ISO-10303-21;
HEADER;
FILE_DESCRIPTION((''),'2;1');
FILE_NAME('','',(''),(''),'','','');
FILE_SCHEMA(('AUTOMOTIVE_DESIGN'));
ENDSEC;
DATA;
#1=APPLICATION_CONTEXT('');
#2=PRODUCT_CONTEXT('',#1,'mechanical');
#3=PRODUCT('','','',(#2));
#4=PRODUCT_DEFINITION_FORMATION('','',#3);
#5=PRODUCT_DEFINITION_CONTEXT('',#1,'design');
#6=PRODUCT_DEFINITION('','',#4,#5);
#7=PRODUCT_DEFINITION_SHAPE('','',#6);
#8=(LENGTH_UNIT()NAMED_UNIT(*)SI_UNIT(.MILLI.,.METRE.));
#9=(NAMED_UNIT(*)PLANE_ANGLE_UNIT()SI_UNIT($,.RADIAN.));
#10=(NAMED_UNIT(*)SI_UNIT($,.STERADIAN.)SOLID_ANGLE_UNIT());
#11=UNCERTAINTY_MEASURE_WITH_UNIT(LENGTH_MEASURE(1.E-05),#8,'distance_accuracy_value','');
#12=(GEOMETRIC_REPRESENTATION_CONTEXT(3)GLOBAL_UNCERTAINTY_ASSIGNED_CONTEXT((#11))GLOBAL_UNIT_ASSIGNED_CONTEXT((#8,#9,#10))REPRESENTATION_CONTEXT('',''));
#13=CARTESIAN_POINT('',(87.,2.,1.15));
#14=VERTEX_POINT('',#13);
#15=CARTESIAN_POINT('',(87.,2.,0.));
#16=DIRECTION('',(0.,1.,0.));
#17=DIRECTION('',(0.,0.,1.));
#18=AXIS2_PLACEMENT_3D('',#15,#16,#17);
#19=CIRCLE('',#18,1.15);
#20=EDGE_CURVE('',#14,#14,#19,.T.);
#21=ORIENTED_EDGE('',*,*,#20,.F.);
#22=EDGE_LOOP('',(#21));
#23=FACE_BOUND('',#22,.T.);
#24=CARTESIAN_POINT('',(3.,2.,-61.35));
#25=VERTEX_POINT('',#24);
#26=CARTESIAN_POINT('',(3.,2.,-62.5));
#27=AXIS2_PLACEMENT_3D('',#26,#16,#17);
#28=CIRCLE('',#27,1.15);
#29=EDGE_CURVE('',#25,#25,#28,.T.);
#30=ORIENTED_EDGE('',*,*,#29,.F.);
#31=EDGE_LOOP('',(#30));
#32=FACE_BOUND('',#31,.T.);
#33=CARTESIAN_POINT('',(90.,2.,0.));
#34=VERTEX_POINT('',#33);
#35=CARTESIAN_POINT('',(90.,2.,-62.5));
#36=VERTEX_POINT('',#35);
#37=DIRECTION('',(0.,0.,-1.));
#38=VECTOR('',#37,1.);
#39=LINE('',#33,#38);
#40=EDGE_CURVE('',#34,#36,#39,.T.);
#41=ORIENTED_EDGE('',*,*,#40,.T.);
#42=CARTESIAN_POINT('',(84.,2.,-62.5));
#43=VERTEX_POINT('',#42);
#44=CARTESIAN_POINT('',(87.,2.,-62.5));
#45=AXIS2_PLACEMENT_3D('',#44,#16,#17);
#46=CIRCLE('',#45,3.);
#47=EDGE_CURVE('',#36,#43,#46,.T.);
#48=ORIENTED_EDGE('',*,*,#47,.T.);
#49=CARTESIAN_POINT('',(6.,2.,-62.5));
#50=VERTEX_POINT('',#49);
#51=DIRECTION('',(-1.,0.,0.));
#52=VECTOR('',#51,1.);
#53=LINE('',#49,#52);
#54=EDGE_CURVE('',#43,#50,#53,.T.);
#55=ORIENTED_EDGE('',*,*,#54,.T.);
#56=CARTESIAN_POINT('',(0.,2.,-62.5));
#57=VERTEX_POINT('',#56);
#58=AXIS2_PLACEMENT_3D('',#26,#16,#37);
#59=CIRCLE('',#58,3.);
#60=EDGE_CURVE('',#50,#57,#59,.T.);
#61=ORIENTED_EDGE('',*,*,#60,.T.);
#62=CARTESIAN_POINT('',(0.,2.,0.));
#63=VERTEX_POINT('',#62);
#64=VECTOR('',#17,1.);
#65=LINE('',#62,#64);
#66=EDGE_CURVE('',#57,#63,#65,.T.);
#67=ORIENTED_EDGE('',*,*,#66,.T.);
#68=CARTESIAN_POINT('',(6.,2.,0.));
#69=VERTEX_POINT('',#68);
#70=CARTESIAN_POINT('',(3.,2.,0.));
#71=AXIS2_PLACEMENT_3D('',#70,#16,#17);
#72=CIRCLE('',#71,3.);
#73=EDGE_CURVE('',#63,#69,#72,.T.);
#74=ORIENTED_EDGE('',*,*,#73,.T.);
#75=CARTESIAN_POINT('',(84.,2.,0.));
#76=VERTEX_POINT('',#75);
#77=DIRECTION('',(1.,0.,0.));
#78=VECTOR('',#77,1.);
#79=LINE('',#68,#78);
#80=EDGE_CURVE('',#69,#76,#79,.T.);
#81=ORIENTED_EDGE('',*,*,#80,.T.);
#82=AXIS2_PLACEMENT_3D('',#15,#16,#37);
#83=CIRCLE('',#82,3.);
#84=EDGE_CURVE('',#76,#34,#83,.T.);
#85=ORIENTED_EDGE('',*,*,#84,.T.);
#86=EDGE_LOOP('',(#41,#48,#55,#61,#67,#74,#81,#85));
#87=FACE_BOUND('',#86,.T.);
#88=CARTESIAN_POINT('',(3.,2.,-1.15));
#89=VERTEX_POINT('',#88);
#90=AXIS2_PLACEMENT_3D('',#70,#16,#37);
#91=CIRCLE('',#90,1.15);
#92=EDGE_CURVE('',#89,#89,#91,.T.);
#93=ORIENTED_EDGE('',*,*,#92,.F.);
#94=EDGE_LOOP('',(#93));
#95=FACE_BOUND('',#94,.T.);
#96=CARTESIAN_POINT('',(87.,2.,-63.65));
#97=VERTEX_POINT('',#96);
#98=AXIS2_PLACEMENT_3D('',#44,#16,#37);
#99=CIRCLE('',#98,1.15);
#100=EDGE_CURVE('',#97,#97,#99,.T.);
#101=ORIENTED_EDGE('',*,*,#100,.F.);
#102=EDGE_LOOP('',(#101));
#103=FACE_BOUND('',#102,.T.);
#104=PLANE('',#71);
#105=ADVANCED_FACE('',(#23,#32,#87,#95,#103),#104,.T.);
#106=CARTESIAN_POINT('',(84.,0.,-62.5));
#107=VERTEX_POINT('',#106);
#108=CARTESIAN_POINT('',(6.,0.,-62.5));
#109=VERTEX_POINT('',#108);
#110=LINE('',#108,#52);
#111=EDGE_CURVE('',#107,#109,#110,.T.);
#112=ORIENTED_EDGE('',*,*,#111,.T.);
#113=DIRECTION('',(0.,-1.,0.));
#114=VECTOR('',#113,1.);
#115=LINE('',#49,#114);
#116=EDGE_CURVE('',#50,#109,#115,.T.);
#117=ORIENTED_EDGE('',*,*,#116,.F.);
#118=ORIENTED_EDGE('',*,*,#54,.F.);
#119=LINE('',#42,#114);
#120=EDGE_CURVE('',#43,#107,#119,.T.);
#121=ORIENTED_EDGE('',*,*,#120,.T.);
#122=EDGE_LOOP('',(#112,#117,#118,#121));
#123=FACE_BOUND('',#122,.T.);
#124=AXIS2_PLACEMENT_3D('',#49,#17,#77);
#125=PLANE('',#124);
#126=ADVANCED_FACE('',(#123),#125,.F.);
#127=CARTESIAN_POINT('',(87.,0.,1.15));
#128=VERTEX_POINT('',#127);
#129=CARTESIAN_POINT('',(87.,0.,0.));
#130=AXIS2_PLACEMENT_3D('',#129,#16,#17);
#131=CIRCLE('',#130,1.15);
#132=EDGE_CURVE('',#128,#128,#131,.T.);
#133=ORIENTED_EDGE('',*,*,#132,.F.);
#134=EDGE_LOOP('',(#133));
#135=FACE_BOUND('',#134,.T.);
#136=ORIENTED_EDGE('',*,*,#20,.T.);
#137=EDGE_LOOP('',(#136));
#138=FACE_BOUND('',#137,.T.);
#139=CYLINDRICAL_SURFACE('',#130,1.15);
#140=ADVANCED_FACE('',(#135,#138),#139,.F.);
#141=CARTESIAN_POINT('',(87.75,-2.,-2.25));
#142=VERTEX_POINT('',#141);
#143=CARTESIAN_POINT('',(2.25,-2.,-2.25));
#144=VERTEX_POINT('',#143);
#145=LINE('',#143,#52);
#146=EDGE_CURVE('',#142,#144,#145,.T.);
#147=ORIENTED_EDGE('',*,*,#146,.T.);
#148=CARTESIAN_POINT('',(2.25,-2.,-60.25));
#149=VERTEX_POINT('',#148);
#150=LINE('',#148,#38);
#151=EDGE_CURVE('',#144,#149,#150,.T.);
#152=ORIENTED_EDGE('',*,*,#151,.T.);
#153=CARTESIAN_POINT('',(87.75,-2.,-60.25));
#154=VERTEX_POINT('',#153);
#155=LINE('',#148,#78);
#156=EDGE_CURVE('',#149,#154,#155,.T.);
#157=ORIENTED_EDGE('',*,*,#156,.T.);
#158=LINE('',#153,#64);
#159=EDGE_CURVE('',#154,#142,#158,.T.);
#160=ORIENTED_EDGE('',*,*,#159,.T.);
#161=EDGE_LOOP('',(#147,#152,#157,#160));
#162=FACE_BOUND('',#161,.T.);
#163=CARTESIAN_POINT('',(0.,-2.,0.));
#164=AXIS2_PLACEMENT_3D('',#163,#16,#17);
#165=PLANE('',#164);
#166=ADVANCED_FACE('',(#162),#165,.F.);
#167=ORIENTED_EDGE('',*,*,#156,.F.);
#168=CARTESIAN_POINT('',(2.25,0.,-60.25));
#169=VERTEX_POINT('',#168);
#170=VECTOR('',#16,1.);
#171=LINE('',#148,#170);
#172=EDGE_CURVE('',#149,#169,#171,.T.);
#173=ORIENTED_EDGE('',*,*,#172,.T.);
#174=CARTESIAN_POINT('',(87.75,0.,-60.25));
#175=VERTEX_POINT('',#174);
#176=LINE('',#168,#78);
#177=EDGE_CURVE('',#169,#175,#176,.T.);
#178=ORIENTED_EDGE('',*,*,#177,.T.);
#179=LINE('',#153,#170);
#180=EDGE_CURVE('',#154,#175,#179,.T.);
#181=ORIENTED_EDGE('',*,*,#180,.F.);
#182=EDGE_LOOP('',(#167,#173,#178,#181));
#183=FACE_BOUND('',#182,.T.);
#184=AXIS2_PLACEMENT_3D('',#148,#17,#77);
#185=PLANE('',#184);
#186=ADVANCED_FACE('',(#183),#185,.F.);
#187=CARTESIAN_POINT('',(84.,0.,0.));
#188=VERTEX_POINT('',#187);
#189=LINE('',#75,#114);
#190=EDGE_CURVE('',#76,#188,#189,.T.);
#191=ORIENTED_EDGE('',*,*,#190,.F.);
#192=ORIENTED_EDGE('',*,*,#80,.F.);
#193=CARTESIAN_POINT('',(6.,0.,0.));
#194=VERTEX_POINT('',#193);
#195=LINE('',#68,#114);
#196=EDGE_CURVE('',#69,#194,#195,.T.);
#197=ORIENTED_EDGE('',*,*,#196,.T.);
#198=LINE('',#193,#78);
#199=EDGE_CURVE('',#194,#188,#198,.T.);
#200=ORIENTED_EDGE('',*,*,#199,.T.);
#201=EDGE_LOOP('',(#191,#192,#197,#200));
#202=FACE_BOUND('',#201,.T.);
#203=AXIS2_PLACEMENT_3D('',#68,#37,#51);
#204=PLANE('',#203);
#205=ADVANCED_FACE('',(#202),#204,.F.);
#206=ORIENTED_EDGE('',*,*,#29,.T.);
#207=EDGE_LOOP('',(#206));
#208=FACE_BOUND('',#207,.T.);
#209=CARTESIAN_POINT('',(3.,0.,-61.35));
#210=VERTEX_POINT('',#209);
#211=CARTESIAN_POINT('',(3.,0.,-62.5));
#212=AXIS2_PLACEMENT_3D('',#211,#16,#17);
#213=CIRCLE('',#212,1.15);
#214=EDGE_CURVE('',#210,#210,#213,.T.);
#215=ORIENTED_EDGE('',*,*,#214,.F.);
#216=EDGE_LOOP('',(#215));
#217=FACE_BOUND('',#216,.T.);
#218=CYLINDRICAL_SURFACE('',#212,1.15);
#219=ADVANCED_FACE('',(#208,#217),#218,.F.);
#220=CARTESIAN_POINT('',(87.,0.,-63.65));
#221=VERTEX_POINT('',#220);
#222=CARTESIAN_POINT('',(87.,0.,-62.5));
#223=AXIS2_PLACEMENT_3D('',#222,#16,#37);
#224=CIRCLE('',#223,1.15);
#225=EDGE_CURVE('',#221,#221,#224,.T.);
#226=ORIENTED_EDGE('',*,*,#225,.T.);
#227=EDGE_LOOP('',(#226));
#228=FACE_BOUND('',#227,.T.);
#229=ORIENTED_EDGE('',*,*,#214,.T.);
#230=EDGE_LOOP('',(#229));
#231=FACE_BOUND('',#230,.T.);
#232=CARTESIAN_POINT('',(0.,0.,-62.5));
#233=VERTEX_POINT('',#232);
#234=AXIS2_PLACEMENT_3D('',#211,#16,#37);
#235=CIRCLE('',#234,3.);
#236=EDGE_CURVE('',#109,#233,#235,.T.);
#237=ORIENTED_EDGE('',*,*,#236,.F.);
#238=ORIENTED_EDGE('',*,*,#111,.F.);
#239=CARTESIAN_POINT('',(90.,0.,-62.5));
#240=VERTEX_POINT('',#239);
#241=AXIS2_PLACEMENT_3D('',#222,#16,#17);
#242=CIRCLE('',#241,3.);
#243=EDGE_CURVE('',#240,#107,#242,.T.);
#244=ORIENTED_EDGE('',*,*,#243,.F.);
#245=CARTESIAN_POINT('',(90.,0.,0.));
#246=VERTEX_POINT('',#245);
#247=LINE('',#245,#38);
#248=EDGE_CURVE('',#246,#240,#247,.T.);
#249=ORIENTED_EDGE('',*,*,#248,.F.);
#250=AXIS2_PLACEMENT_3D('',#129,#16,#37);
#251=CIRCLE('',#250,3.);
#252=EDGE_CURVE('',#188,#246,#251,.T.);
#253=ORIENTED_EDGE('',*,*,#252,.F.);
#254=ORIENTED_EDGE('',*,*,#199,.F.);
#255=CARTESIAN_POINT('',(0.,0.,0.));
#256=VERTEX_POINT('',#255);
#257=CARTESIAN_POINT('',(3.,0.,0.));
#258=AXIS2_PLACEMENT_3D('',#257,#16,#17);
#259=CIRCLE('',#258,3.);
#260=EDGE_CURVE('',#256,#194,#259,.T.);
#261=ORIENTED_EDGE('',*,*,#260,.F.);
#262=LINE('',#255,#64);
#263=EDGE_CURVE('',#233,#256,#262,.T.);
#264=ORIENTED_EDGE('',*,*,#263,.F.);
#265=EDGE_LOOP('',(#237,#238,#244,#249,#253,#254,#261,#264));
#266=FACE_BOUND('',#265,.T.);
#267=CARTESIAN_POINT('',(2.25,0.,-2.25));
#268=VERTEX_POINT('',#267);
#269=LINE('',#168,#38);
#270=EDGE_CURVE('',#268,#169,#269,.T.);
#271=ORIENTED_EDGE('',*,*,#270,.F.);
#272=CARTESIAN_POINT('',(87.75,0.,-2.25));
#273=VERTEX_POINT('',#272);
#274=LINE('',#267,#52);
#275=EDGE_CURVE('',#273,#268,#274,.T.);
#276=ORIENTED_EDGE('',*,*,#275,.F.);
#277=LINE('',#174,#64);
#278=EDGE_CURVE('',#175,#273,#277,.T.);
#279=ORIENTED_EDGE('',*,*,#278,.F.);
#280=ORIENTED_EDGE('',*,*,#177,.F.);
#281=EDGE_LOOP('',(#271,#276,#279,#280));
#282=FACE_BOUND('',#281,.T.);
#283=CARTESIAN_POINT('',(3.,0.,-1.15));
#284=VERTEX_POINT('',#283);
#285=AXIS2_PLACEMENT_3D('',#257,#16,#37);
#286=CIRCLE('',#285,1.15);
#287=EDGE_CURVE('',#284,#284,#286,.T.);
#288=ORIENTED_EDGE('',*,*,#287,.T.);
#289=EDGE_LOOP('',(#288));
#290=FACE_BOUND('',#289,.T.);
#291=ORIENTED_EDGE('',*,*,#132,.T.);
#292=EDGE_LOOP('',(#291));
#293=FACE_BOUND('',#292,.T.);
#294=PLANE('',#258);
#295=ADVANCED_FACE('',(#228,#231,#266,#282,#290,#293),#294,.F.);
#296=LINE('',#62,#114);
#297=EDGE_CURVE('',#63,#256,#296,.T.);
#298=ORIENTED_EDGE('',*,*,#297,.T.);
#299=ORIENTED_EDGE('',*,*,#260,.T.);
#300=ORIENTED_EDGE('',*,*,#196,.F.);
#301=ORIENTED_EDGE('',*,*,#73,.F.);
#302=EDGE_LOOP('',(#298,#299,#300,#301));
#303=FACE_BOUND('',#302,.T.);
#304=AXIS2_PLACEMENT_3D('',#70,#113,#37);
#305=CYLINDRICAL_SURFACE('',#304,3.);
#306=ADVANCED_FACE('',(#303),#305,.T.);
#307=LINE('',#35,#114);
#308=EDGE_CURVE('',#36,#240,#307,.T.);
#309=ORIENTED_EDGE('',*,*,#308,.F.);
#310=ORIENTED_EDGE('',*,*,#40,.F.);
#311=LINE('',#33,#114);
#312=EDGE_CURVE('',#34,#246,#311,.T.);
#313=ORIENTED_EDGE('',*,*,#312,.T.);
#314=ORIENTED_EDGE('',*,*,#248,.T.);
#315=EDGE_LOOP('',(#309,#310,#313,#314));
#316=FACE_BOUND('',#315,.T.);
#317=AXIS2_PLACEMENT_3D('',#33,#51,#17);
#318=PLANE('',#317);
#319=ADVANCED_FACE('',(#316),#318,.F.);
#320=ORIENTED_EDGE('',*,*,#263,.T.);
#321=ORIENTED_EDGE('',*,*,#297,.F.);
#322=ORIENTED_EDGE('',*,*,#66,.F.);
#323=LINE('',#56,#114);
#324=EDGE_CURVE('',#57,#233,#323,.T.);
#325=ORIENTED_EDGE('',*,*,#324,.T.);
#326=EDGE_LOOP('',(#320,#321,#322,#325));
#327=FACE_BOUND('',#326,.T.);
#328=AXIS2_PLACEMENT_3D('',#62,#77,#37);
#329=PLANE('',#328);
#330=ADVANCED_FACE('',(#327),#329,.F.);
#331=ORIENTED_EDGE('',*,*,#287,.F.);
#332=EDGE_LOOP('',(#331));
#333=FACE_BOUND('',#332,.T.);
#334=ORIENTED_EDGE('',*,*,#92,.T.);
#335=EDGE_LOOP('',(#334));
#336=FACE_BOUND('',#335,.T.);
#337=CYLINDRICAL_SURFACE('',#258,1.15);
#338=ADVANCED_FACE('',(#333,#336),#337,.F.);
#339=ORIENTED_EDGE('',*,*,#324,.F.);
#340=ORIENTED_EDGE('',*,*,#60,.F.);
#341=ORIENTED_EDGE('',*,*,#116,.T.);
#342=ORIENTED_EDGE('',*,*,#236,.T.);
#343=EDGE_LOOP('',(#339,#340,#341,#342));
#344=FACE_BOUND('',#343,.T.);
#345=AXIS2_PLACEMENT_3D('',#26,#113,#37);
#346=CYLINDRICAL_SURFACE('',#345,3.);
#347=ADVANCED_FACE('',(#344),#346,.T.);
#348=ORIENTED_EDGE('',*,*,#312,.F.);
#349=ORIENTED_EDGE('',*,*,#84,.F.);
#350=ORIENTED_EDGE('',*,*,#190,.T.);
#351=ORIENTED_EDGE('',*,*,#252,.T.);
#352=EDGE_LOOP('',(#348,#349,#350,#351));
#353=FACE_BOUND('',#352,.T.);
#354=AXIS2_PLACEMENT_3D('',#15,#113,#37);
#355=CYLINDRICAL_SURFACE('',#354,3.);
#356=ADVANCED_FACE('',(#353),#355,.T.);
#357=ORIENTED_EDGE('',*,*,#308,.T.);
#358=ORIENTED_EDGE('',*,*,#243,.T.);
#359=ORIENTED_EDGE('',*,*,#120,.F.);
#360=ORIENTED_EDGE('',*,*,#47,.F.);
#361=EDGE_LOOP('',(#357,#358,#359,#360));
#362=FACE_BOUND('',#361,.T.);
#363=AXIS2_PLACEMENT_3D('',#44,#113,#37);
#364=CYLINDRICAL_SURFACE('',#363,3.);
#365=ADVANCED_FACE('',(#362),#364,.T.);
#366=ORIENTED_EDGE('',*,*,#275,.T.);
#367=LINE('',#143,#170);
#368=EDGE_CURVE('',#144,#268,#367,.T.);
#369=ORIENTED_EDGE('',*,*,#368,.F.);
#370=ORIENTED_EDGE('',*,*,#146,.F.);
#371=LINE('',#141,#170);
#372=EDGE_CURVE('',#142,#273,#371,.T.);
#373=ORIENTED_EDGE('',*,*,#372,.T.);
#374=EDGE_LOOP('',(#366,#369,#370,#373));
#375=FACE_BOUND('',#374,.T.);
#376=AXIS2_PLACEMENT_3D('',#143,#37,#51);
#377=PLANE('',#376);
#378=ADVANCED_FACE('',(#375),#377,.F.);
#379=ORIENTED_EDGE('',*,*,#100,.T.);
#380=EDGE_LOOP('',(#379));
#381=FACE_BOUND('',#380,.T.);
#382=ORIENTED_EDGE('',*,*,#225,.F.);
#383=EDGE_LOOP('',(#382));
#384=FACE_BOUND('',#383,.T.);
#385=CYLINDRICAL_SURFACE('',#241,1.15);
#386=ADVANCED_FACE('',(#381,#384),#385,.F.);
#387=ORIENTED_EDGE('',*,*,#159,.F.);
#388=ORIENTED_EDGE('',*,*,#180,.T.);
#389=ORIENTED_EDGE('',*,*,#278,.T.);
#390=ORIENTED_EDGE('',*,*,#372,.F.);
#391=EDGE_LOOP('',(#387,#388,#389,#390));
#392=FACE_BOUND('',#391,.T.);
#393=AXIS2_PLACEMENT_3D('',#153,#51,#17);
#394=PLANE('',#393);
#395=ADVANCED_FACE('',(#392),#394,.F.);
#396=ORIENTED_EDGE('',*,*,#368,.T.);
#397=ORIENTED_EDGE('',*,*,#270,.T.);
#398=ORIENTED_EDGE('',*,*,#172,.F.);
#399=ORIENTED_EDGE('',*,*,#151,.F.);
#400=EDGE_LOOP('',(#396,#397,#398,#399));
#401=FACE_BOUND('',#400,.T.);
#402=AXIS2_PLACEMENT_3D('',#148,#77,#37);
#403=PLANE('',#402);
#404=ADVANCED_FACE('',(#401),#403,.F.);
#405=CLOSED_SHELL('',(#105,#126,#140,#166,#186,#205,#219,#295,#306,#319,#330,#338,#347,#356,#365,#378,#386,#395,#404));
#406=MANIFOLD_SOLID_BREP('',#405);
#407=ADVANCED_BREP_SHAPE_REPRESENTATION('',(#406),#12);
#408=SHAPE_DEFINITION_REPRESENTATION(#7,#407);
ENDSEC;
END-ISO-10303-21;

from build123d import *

# Parameters (mm, degrees)
BASE_EXTRUDE_DEPTH   = 2
HOLES_R              = 1.15
HOLES_CUT_DEPTH      = 3
INSIDE_W             = 85.5
INSIDE_H             = 58
INSIDE_EXTRUDE_DEPTH = 2


with BuildPart() as part:
    # Base → Base Extrude (new body)
    with BuildSketch(Plane(origin=(0, 0, 0), x_dir=(1, 0, 0), z_dir=(0, 1, 0))):
        with BuildLine():
            Line((6, 0), (84, 0))
            ThreePointArc((84, 0), (87, -3), (90, 0))
            Line((90, 0), (90, 62.5))
            ThreePointArc((90, 62.5), (87, 65.5), (84, 62.5))
            Line((84, 62.5), (6, 62.5))
            ThreePointArc((6, 62.5), (3, 65.5), (0, 62.5))
            Line((0, 62.5), (0, 0))
            ThreePointArc((0, 0), (3, -3), (6, 0))
        make_face()
    extrude(amount=BASE_EXTRUDE_DEPTH)

    # Holes → Holes Cut (cut, through all)
    with BuildSketch(Plane(origin=(0, 2, 0), x_dir=(1, 0, 0), z_dir=(0, 1, 0))):
        with Locations((3, 62.5)):
            Circle(HOLES_R)
        with Locations((87, 62.5)):
            Circle(HOLES_R)
        with Locations((87, 0)):
            Circle(HOLES_R)
        with Locations((3, 0)):
            Circle(HOLES_R)
    extrude(amount=-HOLES_CUT_DEPTH, mode=Mode.SUBTRACT)

    # Inside → Inside Extrude (add)
    with BuildSketch(Plane.XZ):
        with Locations((45, -31.25)):
            Rectangle(INSIDE_W, INSIDE_H)
    extrude(amount=INSIDE_EXTRUDE_DEPTH)


solid = part.part
